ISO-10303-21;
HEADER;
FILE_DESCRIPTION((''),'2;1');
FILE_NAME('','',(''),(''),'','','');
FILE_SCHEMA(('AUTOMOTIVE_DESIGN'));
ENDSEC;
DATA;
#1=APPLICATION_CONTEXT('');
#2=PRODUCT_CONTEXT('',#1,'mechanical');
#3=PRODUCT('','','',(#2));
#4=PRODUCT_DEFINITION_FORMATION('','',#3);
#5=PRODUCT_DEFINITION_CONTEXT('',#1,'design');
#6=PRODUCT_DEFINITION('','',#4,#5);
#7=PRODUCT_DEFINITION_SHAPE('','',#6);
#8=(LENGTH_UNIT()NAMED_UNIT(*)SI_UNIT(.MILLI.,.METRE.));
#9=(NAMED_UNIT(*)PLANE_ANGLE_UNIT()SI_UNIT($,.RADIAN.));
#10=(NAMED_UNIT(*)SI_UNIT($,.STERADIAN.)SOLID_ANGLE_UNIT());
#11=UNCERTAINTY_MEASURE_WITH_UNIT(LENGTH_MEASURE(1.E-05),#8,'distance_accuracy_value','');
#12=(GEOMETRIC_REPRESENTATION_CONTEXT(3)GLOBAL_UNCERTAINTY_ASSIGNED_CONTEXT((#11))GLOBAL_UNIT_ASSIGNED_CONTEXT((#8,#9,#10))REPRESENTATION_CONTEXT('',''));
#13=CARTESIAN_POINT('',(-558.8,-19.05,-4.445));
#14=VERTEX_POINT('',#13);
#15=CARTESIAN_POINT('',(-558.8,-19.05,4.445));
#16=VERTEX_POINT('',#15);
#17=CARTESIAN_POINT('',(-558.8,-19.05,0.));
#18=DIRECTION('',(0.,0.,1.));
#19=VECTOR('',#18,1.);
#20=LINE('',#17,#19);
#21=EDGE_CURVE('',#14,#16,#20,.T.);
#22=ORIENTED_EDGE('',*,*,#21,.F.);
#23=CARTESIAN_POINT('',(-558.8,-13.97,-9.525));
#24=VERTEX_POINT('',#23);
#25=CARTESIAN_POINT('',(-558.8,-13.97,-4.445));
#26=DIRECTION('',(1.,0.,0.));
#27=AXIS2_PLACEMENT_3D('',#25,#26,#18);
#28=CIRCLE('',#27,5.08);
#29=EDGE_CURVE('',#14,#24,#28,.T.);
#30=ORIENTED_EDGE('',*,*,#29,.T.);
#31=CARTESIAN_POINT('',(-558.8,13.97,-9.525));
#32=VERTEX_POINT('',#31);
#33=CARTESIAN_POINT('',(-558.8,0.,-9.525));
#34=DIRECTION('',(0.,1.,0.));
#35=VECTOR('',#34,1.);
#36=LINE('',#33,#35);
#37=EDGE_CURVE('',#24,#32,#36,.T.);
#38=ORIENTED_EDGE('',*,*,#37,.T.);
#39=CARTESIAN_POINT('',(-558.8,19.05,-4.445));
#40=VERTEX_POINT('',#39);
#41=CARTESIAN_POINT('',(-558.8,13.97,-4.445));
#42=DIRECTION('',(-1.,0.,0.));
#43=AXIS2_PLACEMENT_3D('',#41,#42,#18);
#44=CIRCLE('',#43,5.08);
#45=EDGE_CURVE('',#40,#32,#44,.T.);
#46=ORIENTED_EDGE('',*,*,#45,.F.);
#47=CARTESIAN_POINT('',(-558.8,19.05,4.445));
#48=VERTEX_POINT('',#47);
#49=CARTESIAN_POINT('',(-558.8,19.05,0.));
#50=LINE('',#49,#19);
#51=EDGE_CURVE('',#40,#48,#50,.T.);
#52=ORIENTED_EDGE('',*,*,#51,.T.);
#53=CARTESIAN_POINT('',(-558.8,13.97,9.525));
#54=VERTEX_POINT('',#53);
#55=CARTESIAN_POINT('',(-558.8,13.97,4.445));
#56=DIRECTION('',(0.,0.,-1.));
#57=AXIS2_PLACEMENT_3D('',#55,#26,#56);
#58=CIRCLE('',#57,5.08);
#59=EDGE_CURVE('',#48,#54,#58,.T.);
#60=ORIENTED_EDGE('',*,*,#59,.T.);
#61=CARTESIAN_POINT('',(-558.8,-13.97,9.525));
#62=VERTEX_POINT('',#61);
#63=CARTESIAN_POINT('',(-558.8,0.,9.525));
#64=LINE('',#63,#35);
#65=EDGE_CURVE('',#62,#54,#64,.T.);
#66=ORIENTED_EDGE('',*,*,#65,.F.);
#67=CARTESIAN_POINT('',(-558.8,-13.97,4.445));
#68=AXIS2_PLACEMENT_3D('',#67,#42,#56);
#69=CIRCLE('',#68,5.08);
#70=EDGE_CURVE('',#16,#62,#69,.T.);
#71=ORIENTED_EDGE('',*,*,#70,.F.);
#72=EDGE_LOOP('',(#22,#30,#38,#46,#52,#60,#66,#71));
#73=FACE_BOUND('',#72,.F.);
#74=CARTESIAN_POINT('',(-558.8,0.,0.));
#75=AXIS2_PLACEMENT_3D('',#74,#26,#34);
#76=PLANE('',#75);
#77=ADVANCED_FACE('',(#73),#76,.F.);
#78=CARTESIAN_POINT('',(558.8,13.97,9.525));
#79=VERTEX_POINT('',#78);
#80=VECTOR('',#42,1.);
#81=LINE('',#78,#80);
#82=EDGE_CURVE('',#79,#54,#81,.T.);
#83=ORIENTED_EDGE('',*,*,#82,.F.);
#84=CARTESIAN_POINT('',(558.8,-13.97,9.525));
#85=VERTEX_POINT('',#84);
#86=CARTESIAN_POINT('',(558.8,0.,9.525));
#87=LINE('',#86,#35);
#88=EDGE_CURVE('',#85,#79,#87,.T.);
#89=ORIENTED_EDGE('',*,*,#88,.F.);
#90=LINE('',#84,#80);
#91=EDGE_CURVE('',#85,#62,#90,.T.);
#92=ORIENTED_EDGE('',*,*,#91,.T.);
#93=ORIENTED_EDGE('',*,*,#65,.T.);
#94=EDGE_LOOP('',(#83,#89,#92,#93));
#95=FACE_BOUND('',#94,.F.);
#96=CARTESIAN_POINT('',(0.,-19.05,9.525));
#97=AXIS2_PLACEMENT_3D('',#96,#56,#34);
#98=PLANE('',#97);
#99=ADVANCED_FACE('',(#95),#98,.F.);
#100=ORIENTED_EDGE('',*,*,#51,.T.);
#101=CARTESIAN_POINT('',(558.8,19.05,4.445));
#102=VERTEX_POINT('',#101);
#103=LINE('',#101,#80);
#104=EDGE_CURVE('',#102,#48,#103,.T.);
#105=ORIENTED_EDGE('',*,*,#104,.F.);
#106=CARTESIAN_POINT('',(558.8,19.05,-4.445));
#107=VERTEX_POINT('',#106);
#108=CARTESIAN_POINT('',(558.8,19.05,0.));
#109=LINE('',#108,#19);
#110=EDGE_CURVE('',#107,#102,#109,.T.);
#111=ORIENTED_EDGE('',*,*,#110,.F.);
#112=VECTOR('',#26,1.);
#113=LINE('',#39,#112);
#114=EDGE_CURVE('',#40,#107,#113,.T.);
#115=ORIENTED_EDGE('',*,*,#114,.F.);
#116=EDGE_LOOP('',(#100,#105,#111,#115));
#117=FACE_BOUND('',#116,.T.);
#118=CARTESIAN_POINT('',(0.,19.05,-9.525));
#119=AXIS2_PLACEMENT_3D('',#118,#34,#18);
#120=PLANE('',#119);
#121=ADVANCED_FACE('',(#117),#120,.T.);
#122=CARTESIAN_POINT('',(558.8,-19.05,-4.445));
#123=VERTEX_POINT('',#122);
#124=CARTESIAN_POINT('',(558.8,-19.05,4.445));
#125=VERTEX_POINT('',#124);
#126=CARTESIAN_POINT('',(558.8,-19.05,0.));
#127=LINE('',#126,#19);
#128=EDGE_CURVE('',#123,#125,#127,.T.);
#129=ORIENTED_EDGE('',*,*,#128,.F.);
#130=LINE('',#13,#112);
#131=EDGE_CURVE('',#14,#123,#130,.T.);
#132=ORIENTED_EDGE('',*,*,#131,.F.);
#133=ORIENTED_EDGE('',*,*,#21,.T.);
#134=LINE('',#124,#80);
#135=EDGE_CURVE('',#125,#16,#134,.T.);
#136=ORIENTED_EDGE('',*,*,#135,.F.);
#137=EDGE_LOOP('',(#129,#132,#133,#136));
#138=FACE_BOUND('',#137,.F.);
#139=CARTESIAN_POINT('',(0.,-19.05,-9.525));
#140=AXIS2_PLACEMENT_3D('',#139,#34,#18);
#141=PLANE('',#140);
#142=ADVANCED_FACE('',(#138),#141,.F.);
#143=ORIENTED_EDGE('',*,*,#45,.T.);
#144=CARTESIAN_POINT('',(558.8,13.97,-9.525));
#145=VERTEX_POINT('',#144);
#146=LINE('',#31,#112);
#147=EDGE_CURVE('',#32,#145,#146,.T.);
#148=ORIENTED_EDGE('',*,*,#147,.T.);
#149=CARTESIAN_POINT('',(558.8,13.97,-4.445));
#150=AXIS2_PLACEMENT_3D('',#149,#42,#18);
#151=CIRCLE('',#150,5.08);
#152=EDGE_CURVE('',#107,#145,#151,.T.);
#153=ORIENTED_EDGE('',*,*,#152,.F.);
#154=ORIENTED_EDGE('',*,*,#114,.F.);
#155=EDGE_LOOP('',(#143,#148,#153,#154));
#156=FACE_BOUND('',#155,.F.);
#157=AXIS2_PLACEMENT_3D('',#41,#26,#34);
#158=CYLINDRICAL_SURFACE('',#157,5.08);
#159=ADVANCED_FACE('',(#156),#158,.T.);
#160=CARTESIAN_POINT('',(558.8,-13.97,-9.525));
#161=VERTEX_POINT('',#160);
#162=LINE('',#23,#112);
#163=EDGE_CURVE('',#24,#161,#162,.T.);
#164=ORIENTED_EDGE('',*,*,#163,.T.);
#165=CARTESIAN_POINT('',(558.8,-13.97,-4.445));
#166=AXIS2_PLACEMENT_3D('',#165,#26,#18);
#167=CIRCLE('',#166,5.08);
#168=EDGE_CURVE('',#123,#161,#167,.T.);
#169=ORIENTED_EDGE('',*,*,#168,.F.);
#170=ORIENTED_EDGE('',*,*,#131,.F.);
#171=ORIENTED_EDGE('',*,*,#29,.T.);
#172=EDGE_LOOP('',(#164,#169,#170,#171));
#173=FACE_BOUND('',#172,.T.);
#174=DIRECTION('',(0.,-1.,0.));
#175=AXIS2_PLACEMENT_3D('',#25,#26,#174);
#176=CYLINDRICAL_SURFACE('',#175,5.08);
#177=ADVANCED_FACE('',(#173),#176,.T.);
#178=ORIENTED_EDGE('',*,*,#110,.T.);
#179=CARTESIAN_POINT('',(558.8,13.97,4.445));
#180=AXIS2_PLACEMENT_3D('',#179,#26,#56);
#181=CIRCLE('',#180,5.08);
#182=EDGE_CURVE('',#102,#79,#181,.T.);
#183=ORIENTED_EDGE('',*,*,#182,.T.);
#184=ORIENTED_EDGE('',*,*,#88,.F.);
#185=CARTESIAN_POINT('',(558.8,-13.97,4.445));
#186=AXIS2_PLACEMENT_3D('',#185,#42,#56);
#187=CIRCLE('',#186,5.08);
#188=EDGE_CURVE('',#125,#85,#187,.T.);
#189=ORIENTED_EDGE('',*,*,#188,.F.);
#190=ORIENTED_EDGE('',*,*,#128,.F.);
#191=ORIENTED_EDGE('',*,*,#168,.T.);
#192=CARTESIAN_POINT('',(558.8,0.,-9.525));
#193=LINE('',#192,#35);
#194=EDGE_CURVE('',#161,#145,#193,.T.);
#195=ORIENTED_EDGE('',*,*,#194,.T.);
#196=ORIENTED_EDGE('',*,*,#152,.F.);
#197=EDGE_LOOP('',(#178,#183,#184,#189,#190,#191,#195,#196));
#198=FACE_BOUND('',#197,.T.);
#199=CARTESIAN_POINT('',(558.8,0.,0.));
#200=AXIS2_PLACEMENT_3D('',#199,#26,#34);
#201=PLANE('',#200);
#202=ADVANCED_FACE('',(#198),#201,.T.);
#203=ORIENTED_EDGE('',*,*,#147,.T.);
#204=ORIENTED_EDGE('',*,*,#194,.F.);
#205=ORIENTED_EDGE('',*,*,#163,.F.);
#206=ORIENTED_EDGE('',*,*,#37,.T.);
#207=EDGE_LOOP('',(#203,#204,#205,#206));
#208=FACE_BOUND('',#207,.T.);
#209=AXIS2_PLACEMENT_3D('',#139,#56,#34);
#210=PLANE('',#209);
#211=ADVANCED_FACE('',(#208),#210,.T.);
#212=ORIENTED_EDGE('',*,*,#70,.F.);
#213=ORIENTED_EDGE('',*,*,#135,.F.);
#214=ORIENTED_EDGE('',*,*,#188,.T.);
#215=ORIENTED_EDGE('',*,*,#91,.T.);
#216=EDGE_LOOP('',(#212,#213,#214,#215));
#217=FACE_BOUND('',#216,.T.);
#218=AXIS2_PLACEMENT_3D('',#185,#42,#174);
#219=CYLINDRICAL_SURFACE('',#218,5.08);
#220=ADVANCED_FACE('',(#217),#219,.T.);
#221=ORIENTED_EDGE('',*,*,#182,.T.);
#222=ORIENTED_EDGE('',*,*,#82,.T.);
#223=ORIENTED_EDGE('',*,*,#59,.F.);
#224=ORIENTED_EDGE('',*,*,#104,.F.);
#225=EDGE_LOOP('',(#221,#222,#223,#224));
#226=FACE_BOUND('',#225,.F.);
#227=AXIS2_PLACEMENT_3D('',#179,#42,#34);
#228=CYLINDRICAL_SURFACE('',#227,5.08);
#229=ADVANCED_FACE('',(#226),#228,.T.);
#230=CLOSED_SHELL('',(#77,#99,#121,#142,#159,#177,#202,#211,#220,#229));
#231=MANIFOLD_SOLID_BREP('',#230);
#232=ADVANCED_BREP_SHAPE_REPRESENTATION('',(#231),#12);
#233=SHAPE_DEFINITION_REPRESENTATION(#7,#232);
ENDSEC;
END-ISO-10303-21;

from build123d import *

# Parameters (mm, degrees)
F0_W     = 38.1
F0_H     = 19.05
F1_DEPTH = 558.8
F2_R     = 5.08


with BuildPart() as f1:
    # F0 (on Right) → F1 (new body, symmetric)
    with BuildSketch(Plane.YZ):
        Rectangle(F0_W, F0_H)
    extrude(amount=F1_DEPTH, both=True)

    # F2
    f2_edges = [f1.edges().sort_by_distance(p)[0] for p in [
        (0, -19.05, 9.525),
        (0, -19.05, -9.525),
        (0, 19.05, 9.525),
        (0, 19.05, -9.525),
    ]]
    fillet(f2_edges, radius=F2_R)


solid = f1.part
